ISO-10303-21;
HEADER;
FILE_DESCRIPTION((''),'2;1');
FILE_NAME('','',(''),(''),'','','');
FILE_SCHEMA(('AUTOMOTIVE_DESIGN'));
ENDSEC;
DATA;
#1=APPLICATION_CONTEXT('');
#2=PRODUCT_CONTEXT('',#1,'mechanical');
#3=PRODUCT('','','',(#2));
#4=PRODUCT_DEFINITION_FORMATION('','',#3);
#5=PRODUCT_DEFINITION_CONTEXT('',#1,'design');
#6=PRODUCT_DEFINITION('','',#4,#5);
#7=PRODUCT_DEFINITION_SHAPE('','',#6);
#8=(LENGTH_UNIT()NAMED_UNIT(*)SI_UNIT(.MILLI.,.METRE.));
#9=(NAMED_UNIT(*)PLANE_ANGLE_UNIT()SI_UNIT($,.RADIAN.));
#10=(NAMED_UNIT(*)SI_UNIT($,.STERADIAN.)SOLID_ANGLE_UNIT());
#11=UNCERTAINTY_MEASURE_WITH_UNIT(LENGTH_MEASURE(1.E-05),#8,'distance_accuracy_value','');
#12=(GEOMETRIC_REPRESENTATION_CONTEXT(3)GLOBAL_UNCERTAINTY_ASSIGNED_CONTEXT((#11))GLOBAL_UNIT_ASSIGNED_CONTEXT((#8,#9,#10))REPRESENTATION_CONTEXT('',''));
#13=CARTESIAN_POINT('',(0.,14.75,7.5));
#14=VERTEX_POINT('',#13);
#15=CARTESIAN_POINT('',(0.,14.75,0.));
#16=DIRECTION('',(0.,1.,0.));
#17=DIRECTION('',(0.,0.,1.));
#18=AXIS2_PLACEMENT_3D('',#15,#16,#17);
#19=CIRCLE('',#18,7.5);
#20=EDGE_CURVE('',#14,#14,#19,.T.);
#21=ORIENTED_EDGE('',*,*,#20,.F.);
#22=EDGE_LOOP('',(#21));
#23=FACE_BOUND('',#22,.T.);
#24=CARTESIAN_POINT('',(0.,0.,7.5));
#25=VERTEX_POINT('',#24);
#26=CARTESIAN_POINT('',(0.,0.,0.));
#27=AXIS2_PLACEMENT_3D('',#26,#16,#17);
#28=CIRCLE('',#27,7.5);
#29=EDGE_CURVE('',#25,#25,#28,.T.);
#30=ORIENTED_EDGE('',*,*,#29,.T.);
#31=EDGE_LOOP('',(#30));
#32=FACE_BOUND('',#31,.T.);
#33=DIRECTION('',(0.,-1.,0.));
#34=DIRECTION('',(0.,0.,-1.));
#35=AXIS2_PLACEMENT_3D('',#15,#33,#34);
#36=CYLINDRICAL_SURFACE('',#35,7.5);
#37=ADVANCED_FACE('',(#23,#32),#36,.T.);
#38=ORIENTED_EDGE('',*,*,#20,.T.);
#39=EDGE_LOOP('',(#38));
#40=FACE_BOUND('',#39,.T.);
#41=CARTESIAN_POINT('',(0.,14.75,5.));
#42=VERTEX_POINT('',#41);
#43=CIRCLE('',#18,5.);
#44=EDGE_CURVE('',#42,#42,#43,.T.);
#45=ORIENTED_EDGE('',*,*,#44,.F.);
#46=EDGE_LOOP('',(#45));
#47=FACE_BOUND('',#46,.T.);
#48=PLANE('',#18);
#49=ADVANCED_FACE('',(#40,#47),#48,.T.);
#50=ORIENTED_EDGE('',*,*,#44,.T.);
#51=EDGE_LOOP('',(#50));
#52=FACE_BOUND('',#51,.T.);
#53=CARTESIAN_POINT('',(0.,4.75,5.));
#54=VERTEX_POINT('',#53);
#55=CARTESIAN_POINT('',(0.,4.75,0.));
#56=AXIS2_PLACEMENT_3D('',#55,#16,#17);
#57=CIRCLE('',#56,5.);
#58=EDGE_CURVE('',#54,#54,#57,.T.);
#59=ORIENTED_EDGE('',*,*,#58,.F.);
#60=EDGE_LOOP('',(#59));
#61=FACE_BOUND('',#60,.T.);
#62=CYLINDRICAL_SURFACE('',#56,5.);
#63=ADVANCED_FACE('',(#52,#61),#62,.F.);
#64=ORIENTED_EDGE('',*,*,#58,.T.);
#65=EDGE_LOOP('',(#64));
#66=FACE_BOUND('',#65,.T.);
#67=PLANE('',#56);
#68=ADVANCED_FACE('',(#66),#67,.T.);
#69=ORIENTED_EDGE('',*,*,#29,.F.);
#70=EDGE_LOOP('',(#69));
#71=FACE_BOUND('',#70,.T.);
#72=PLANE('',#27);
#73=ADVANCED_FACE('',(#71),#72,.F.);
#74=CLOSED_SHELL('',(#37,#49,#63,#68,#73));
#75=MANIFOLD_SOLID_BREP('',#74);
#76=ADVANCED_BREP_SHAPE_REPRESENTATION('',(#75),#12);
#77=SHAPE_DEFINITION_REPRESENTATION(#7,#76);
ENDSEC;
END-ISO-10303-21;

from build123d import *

# Parameters (mm, degrees)
SKETCH1_R           = 7.5
BOSS_EXTRUDE1_DEPTH = 14.75
SKETCH2_R           = 5
CUT_EXTRUDE1_DEPTH  = 10


with BuildPart() as part:
    # Sketch1 → Boss-Extrude1 (new body)
    with BuildSketch(Plane(origin=(0, 0, 0), x_dir=(1, 0, 0), z_dir=(0, 1, 0))):
        with Locations(Location((0, 0, 0), (0, 0, 270))):
            Circle(SKETCH1_R)
    extrude(amount=BOSS_EXTRUDE1_DEPTH)

    # Sketch2 → Cut-Extrude1 (cut)
    with BuildSketch(Plane(origin=(0, 14.75, 0), x_dir=(1, 0, 0), z_dir=(0, 1, 0))):
        with Locations(Location((0, 0, 0), (0, 0, 270))):
            Circle(SKETCH2_R)
    extrude(amount=-CUT_EXTRUDE1_DEPTH, mode=Mode.SUBTRACT)


solid = part.part
